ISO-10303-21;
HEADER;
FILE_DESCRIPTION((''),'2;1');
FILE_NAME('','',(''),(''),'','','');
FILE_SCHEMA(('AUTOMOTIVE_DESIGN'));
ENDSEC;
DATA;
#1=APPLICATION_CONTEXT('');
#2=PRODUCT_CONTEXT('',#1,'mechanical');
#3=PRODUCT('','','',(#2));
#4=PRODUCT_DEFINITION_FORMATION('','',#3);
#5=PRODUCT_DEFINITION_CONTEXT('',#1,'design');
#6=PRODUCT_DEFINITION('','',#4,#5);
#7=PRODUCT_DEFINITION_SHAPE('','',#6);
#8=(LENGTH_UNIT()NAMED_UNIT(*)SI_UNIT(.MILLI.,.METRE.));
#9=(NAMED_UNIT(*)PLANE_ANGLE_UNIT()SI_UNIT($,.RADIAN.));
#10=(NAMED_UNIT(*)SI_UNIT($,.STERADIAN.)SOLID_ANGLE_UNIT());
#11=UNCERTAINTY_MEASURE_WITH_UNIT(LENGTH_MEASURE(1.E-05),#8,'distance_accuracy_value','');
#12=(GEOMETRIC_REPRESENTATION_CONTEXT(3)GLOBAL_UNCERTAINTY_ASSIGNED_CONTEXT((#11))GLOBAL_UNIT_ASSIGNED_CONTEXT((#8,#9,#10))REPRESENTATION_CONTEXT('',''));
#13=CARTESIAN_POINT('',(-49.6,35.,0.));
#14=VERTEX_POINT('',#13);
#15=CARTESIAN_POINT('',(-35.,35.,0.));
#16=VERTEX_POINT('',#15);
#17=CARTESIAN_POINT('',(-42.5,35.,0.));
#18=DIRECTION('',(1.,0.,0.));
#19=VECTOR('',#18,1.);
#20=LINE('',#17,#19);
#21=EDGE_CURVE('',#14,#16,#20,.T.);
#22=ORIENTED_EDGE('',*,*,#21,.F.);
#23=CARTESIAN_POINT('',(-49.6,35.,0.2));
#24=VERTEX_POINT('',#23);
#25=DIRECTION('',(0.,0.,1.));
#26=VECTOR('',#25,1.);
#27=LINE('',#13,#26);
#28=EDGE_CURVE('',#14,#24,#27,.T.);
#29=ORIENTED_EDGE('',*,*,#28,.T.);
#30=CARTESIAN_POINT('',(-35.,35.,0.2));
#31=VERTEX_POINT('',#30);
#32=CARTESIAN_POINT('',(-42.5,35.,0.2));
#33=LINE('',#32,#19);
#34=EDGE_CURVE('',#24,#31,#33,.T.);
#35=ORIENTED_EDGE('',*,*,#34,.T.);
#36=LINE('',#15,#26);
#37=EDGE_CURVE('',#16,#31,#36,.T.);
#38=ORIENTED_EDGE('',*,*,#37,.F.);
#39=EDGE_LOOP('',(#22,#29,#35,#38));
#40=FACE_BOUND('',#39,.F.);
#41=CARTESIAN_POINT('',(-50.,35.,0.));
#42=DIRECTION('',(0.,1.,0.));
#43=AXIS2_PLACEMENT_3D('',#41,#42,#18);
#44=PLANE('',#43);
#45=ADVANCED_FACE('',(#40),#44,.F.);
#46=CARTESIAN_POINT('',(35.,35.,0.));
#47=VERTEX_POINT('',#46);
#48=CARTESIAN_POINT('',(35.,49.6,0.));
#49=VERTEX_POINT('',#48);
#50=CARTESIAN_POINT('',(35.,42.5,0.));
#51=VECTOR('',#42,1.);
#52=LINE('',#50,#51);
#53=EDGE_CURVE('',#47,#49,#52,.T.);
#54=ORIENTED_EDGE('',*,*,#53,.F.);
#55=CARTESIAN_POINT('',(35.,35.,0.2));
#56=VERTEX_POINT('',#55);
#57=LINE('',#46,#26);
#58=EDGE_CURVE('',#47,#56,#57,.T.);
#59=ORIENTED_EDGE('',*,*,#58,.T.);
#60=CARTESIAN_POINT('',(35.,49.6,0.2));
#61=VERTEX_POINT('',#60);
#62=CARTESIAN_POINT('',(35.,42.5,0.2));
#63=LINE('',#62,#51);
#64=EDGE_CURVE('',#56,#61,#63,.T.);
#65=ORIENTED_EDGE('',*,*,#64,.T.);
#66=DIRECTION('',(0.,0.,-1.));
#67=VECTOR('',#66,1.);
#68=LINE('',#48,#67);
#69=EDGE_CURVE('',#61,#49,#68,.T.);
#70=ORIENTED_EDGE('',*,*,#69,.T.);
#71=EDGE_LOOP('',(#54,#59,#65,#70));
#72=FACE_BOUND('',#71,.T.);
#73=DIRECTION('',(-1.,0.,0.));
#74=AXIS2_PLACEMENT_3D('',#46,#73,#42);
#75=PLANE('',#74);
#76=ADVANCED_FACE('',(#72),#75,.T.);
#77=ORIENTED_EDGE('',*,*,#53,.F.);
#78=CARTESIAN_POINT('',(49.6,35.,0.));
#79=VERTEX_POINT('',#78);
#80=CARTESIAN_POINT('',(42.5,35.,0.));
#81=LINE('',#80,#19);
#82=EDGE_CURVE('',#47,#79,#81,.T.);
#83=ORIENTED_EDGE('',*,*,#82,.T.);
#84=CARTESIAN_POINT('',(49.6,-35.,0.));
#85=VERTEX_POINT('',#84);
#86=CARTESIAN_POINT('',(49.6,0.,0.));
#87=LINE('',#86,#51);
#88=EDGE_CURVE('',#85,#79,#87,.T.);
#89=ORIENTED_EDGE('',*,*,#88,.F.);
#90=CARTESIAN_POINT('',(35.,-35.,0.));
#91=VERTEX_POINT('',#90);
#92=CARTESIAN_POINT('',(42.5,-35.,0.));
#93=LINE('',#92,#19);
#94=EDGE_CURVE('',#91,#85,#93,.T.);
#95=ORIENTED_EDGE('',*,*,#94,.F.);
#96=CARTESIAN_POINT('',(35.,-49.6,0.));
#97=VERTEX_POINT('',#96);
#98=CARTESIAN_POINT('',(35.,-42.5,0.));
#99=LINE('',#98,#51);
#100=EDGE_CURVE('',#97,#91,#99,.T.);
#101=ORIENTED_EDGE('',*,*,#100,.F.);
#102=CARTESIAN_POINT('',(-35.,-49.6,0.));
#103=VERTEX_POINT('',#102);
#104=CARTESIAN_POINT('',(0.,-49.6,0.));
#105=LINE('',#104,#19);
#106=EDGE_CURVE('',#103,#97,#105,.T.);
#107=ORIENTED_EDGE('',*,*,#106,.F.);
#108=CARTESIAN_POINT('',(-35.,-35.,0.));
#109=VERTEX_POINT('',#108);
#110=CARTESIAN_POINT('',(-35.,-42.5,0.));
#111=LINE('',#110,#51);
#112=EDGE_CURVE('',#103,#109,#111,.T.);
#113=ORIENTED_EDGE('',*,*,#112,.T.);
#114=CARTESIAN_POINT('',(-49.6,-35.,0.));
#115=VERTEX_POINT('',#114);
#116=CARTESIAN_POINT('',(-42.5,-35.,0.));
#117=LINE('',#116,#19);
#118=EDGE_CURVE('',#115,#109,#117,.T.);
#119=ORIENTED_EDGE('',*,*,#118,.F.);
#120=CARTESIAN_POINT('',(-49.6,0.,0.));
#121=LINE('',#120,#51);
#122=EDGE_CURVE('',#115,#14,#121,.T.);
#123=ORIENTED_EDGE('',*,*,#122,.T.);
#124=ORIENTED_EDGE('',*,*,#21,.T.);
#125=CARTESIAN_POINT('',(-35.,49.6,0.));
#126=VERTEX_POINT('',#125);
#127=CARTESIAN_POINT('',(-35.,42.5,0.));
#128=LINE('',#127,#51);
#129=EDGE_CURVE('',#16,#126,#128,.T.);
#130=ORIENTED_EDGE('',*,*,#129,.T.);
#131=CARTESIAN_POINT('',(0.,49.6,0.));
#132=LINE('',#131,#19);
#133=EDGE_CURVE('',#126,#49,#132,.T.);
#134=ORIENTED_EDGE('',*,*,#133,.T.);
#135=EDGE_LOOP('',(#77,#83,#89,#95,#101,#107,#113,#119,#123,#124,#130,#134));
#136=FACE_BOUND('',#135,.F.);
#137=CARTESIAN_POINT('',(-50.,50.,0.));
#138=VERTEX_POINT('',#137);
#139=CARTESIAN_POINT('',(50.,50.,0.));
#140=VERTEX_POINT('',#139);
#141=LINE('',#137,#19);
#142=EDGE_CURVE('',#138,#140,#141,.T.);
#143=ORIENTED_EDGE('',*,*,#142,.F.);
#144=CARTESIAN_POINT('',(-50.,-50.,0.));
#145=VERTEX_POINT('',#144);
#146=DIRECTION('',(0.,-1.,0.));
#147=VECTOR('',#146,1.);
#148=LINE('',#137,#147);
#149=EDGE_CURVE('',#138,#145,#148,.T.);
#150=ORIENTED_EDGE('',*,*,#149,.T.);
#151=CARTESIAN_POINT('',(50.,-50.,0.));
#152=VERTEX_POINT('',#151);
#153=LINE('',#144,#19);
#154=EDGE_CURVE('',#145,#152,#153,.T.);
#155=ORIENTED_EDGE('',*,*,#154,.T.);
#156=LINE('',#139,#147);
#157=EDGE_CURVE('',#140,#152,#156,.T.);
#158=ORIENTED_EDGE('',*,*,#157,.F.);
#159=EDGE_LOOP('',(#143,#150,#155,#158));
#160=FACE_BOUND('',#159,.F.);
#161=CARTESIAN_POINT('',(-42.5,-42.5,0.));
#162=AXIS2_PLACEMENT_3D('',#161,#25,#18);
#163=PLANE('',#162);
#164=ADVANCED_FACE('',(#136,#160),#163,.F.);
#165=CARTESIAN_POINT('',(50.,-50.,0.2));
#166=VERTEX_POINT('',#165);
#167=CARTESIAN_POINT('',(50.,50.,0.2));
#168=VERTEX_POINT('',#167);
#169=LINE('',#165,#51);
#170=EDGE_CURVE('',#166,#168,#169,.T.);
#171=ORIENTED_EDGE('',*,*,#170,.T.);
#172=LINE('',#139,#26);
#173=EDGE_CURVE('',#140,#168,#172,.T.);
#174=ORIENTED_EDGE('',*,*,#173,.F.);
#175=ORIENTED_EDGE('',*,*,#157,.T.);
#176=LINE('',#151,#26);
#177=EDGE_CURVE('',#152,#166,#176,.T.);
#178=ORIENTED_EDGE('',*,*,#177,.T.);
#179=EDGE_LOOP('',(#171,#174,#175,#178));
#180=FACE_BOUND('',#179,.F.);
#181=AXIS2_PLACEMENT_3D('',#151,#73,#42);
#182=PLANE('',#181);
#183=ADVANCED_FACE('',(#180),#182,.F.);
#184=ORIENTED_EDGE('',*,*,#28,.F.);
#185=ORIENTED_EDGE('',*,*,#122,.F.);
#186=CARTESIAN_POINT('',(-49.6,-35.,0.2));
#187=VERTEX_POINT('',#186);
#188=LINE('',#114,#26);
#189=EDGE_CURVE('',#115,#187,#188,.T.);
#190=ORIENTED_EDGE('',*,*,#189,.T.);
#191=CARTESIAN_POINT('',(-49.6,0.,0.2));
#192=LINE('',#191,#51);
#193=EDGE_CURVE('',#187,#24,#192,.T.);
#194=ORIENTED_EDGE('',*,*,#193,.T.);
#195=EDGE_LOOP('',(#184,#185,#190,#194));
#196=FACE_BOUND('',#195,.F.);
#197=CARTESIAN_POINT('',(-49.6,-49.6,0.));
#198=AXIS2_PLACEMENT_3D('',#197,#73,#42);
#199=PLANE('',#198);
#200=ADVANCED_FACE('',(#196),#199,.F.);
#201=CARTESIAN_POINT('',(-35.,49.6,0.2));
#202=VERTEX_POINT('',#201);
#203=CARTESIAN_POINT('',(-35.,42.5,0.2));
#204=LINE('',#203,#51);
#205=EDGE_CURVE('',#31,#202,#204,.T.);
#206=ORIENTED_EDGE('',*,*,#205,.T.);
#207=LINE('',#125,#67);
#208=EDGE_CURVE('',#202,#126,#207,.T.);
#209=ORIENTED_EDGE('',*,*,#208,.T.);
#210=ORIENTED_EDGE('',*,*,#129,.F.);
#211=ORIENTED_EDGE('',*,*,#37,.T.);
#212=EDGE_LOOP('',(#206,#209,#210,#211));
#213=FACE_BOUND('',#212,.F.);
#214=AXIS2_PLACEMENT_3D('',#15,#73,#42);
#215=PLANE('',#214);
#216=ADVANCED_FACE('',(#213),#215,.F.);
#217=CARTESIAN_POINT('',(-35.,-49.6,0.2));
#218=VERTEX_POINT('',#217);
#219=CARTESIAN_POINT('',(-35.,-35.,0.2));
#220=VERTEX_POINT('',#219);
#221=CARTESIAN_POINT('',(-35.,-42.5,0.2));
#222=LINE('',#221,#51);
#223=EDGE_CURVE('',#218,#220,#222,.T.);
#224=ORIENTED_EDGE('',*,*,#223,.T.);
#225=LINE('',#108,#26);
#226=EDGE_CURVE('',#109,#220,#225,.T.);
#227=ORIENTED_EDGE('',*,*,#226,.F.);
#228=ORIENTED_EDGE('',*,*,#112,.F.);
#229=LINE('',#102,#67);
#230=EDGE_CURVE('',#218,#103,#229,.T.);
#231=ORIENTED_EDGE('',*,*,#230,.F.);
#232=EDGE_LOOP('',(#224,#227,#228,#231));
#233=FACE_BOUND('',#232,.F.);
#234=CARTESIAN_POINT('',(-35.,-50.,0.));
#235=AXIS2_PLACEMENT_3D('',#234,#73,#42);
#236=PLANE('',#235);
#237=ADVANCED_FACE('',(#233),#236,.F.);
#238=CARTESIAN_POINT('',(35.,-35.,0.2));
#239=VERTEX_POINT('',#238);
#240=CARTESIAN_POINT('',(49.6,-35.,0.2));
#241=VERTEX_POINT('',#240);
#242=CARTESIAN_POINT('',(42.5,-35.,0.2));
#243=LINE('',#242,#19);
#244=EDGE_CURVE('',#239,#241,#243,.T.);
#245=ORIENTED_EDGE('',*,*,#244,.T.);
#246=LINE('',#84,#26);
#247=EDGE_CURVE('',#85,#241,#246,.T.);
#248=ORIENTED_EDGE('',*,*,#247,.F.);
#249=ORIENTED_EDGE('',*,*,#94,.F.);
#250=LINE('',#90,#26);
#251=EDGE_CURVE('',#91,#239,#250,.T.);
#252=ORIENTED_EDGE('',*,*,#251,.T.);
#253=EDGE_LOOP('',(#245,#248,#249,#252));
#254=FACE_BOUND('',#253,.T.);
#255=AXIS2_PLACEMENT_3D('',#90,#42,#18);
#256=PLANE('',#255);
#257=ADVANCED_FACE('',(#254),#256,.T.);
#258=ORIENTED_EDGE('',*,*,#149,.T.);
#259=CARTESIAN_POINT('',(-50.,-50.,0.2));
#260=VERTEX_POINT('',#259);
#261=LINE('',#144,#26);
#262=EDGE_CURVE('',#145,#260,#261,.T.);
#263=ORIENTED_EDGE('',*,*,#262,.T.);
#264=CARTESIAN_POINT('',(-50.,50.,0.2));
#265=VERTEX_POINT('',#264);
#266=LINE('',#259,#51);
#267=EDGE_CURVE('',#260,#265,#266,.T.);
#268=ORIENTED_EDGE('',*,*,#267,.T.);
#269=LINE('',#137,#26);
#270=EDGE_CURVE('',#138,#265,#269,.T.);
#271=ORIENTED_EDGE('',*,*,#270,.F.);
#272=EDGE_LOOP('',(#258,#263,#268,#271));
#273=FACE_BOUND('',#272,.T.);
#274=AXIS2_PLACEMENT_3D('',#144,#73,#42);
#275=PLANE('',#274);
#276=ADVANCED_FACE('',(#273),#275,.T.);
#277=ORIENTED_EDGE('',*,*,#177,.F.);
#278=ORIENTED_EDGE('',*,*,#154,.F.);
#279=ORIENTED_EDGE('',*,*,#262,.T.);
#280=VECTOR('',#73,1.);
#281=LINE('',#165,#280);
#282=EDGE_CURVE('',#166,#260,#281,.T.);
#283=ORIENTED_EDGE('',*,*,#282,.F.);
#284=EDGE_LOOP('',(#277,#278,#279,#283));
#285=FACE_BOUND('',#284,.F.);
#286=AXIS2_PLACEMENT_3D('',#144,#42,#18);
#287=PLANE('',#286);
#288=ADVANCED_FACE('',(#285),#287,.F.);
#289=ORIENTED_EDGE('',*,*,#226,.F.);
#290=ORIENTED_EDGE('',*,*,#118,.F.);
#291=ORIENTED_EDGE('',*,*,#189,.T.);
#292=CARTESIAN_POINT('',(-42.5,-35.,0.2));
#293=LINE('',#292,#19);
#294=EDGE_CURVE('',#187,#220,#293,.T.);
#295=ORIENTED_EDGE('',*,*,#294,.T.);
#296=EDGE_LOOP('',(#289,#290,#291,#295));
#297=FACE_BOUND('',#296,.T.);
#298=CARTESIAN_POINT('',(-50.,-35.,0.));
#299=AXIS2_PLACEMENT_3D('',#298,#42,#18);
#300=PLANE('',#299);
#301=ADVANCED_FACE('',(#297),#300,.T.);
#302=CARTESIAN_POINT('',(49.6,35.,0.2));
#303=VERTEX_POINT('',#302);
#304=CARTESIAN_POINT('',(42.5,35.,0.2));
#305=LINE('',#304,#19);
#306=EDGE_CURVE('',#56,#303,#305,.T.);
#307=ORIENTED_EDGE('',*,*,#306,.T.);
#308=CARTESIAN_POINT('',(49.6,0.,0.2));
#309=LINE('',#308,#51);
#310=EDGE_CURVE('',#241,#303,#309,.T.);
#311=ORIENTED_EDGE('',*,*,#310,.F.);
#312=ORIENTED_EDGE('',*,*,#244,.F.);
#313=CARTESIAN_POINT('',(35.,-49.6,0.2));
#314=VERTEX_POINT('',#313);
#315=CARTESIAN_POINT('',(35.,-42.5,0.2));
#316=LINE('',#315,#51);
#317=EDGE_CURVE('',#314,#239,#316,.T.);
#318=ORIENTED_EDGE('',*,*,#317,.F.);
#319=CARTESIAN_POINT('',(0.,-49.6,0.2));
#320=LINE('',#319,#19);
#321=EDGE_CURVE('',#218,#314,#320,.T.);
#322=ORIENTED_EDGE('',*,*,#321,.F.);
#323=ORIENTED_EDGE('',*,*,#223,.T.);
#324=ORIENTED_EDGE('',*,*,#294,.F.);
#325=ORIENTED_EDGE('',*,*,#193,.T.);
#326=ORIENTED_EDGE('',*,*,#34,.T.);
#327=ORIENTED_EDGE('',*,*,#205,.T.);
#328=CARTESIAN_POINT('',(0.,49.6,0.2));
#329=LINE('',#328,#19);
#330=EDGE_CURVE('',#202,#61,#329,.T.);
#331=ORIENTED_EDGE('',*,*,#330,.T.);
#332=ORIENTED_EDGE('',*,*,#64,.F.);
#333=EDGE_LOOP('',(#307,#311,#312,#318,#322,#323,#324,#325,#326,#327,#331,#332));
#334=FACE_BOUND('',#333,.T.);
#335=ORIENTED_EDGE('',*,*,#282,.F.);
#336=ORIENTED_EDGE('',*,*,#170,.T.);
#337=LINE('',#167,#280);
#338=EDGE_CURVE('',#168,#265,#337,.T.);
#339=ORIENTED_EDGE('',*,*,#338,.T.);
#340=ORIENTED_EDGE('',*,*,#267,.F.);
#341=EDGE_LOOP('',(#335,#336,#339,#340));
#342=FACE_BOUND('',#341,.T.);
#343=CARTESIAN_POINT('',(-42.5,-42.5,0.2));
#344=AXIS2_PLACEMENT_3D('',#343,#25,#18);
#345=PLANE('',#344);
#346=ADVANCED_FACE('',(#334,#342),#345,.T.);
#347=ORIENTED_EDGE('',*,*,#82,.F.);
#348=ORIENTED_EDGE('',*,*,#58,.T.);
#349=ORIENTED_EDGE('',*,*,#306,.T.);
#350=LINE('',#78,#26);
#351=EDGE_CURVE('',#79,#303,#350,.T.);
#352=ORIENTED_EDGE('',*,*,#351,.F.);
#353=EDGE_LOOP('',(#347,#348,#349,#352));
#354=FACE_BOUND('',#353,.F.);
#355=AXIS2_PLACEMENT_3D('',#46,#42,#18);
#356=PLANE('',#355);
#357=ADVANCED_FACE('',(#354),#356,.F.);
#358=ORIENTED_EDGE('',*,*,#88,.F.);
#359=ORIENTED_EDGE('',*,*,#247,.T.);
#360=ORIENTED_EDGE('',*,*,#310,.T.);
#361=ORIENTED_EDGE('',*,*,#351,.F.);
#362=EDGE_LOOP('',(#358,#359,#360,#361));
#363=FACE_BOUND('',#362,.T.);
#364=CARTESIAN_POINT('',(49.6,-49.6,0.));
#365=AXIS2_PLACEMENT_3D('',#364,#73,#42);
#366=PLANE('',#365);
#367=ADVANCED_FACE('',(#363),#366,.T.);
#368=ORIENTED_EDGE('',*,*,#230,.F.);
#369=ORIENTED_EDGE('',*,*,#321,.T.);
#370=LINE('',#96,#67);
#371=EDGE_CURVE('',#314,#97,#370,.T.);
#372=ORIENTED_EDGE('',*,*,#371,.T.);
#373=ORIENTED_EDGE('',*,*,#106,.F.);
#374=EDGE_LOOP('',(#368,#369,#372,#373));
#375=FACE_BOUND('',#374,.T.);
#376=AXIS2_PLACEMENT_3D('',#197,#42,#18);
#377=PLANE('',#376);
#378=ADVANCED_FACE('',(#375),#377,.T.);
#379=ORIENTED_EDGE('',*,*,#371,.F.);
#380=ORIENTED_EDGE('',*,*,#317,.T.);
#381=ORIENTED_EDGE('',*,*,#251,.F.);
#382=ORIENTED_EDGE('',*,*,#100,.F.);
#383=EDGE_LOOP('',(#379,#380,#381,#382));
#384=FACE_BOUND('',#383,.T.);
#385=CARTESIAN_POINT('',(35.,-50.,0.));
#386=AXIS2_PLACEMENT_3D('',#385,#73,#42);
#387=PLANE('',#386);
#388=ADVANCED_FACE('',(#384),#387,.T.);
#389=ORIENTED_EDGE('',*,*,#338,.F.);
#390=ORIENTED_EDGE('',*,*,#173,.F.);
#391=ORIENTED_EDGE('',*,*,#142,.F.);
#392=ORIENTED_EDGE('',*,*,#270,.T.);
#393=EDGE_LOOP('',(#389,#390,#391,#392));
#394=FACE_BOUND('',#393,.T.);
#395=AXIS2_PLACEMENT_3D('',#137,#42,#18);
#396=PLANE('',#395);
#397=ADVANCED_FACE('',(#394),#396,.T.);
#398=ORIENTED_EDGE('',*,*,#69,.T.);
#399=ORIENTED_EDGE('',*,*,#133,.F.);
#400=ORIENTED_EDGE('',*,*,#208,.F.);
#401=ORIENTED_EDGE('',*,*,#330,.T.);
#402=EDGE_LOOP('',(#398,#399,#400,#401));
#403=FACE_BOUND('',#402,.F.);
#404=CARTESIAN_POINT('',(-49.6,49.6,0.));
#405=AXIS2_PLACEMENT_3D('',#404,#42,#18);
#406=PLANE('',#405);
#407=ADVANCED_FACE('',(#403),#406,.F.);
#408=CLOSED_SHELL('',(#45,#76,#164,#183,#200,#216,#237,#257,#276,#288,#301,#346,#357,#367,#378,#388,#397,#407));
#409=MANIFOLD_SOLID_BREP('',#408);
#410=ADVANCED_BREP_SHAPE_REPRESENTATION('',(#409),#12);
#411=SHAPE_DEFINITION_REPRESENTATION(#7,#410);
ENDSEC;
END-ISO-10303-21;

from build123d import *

# Parameters (mm, degrees)
F0_W     = 15
F0_H     = 15
F1_DEPTH = 0.2
F2_W     = 100
F2_H     = 100
F2_W_2   = 99.2
F2_H_2   = 99.2
F3_DEPTH = 0.2


with BuildPart() as f1:
    # F0 (on Top) → F1 (new body)
    with BuildSketch(Plane.XY):
        with Locations((-42.5, 42.5)):
            Rectangle(F0_W, F0_H)
        with Locations((42.5, 42.5)):
            Rectangle(F0_W, F0_H)
        with Locations((42.5, -42.5)):
            Rectangle(F0_W, F0_H)
        with Locations((-42.5, -42.5)):
            Rectangle(F0_W, F0_H)
    extrude(amount=F1_DEPTH)

    # F2 (on Top) → F3 (join)
    with BuildSketch(Plane.XY):
        Rectangle(F2_W, F2_H)
        Rectangle(F2_W_2, F2_H_2, mode=Mode.SUBTRACT)
    extrude(amount=F3_DEPTH)


solid = f1.part
